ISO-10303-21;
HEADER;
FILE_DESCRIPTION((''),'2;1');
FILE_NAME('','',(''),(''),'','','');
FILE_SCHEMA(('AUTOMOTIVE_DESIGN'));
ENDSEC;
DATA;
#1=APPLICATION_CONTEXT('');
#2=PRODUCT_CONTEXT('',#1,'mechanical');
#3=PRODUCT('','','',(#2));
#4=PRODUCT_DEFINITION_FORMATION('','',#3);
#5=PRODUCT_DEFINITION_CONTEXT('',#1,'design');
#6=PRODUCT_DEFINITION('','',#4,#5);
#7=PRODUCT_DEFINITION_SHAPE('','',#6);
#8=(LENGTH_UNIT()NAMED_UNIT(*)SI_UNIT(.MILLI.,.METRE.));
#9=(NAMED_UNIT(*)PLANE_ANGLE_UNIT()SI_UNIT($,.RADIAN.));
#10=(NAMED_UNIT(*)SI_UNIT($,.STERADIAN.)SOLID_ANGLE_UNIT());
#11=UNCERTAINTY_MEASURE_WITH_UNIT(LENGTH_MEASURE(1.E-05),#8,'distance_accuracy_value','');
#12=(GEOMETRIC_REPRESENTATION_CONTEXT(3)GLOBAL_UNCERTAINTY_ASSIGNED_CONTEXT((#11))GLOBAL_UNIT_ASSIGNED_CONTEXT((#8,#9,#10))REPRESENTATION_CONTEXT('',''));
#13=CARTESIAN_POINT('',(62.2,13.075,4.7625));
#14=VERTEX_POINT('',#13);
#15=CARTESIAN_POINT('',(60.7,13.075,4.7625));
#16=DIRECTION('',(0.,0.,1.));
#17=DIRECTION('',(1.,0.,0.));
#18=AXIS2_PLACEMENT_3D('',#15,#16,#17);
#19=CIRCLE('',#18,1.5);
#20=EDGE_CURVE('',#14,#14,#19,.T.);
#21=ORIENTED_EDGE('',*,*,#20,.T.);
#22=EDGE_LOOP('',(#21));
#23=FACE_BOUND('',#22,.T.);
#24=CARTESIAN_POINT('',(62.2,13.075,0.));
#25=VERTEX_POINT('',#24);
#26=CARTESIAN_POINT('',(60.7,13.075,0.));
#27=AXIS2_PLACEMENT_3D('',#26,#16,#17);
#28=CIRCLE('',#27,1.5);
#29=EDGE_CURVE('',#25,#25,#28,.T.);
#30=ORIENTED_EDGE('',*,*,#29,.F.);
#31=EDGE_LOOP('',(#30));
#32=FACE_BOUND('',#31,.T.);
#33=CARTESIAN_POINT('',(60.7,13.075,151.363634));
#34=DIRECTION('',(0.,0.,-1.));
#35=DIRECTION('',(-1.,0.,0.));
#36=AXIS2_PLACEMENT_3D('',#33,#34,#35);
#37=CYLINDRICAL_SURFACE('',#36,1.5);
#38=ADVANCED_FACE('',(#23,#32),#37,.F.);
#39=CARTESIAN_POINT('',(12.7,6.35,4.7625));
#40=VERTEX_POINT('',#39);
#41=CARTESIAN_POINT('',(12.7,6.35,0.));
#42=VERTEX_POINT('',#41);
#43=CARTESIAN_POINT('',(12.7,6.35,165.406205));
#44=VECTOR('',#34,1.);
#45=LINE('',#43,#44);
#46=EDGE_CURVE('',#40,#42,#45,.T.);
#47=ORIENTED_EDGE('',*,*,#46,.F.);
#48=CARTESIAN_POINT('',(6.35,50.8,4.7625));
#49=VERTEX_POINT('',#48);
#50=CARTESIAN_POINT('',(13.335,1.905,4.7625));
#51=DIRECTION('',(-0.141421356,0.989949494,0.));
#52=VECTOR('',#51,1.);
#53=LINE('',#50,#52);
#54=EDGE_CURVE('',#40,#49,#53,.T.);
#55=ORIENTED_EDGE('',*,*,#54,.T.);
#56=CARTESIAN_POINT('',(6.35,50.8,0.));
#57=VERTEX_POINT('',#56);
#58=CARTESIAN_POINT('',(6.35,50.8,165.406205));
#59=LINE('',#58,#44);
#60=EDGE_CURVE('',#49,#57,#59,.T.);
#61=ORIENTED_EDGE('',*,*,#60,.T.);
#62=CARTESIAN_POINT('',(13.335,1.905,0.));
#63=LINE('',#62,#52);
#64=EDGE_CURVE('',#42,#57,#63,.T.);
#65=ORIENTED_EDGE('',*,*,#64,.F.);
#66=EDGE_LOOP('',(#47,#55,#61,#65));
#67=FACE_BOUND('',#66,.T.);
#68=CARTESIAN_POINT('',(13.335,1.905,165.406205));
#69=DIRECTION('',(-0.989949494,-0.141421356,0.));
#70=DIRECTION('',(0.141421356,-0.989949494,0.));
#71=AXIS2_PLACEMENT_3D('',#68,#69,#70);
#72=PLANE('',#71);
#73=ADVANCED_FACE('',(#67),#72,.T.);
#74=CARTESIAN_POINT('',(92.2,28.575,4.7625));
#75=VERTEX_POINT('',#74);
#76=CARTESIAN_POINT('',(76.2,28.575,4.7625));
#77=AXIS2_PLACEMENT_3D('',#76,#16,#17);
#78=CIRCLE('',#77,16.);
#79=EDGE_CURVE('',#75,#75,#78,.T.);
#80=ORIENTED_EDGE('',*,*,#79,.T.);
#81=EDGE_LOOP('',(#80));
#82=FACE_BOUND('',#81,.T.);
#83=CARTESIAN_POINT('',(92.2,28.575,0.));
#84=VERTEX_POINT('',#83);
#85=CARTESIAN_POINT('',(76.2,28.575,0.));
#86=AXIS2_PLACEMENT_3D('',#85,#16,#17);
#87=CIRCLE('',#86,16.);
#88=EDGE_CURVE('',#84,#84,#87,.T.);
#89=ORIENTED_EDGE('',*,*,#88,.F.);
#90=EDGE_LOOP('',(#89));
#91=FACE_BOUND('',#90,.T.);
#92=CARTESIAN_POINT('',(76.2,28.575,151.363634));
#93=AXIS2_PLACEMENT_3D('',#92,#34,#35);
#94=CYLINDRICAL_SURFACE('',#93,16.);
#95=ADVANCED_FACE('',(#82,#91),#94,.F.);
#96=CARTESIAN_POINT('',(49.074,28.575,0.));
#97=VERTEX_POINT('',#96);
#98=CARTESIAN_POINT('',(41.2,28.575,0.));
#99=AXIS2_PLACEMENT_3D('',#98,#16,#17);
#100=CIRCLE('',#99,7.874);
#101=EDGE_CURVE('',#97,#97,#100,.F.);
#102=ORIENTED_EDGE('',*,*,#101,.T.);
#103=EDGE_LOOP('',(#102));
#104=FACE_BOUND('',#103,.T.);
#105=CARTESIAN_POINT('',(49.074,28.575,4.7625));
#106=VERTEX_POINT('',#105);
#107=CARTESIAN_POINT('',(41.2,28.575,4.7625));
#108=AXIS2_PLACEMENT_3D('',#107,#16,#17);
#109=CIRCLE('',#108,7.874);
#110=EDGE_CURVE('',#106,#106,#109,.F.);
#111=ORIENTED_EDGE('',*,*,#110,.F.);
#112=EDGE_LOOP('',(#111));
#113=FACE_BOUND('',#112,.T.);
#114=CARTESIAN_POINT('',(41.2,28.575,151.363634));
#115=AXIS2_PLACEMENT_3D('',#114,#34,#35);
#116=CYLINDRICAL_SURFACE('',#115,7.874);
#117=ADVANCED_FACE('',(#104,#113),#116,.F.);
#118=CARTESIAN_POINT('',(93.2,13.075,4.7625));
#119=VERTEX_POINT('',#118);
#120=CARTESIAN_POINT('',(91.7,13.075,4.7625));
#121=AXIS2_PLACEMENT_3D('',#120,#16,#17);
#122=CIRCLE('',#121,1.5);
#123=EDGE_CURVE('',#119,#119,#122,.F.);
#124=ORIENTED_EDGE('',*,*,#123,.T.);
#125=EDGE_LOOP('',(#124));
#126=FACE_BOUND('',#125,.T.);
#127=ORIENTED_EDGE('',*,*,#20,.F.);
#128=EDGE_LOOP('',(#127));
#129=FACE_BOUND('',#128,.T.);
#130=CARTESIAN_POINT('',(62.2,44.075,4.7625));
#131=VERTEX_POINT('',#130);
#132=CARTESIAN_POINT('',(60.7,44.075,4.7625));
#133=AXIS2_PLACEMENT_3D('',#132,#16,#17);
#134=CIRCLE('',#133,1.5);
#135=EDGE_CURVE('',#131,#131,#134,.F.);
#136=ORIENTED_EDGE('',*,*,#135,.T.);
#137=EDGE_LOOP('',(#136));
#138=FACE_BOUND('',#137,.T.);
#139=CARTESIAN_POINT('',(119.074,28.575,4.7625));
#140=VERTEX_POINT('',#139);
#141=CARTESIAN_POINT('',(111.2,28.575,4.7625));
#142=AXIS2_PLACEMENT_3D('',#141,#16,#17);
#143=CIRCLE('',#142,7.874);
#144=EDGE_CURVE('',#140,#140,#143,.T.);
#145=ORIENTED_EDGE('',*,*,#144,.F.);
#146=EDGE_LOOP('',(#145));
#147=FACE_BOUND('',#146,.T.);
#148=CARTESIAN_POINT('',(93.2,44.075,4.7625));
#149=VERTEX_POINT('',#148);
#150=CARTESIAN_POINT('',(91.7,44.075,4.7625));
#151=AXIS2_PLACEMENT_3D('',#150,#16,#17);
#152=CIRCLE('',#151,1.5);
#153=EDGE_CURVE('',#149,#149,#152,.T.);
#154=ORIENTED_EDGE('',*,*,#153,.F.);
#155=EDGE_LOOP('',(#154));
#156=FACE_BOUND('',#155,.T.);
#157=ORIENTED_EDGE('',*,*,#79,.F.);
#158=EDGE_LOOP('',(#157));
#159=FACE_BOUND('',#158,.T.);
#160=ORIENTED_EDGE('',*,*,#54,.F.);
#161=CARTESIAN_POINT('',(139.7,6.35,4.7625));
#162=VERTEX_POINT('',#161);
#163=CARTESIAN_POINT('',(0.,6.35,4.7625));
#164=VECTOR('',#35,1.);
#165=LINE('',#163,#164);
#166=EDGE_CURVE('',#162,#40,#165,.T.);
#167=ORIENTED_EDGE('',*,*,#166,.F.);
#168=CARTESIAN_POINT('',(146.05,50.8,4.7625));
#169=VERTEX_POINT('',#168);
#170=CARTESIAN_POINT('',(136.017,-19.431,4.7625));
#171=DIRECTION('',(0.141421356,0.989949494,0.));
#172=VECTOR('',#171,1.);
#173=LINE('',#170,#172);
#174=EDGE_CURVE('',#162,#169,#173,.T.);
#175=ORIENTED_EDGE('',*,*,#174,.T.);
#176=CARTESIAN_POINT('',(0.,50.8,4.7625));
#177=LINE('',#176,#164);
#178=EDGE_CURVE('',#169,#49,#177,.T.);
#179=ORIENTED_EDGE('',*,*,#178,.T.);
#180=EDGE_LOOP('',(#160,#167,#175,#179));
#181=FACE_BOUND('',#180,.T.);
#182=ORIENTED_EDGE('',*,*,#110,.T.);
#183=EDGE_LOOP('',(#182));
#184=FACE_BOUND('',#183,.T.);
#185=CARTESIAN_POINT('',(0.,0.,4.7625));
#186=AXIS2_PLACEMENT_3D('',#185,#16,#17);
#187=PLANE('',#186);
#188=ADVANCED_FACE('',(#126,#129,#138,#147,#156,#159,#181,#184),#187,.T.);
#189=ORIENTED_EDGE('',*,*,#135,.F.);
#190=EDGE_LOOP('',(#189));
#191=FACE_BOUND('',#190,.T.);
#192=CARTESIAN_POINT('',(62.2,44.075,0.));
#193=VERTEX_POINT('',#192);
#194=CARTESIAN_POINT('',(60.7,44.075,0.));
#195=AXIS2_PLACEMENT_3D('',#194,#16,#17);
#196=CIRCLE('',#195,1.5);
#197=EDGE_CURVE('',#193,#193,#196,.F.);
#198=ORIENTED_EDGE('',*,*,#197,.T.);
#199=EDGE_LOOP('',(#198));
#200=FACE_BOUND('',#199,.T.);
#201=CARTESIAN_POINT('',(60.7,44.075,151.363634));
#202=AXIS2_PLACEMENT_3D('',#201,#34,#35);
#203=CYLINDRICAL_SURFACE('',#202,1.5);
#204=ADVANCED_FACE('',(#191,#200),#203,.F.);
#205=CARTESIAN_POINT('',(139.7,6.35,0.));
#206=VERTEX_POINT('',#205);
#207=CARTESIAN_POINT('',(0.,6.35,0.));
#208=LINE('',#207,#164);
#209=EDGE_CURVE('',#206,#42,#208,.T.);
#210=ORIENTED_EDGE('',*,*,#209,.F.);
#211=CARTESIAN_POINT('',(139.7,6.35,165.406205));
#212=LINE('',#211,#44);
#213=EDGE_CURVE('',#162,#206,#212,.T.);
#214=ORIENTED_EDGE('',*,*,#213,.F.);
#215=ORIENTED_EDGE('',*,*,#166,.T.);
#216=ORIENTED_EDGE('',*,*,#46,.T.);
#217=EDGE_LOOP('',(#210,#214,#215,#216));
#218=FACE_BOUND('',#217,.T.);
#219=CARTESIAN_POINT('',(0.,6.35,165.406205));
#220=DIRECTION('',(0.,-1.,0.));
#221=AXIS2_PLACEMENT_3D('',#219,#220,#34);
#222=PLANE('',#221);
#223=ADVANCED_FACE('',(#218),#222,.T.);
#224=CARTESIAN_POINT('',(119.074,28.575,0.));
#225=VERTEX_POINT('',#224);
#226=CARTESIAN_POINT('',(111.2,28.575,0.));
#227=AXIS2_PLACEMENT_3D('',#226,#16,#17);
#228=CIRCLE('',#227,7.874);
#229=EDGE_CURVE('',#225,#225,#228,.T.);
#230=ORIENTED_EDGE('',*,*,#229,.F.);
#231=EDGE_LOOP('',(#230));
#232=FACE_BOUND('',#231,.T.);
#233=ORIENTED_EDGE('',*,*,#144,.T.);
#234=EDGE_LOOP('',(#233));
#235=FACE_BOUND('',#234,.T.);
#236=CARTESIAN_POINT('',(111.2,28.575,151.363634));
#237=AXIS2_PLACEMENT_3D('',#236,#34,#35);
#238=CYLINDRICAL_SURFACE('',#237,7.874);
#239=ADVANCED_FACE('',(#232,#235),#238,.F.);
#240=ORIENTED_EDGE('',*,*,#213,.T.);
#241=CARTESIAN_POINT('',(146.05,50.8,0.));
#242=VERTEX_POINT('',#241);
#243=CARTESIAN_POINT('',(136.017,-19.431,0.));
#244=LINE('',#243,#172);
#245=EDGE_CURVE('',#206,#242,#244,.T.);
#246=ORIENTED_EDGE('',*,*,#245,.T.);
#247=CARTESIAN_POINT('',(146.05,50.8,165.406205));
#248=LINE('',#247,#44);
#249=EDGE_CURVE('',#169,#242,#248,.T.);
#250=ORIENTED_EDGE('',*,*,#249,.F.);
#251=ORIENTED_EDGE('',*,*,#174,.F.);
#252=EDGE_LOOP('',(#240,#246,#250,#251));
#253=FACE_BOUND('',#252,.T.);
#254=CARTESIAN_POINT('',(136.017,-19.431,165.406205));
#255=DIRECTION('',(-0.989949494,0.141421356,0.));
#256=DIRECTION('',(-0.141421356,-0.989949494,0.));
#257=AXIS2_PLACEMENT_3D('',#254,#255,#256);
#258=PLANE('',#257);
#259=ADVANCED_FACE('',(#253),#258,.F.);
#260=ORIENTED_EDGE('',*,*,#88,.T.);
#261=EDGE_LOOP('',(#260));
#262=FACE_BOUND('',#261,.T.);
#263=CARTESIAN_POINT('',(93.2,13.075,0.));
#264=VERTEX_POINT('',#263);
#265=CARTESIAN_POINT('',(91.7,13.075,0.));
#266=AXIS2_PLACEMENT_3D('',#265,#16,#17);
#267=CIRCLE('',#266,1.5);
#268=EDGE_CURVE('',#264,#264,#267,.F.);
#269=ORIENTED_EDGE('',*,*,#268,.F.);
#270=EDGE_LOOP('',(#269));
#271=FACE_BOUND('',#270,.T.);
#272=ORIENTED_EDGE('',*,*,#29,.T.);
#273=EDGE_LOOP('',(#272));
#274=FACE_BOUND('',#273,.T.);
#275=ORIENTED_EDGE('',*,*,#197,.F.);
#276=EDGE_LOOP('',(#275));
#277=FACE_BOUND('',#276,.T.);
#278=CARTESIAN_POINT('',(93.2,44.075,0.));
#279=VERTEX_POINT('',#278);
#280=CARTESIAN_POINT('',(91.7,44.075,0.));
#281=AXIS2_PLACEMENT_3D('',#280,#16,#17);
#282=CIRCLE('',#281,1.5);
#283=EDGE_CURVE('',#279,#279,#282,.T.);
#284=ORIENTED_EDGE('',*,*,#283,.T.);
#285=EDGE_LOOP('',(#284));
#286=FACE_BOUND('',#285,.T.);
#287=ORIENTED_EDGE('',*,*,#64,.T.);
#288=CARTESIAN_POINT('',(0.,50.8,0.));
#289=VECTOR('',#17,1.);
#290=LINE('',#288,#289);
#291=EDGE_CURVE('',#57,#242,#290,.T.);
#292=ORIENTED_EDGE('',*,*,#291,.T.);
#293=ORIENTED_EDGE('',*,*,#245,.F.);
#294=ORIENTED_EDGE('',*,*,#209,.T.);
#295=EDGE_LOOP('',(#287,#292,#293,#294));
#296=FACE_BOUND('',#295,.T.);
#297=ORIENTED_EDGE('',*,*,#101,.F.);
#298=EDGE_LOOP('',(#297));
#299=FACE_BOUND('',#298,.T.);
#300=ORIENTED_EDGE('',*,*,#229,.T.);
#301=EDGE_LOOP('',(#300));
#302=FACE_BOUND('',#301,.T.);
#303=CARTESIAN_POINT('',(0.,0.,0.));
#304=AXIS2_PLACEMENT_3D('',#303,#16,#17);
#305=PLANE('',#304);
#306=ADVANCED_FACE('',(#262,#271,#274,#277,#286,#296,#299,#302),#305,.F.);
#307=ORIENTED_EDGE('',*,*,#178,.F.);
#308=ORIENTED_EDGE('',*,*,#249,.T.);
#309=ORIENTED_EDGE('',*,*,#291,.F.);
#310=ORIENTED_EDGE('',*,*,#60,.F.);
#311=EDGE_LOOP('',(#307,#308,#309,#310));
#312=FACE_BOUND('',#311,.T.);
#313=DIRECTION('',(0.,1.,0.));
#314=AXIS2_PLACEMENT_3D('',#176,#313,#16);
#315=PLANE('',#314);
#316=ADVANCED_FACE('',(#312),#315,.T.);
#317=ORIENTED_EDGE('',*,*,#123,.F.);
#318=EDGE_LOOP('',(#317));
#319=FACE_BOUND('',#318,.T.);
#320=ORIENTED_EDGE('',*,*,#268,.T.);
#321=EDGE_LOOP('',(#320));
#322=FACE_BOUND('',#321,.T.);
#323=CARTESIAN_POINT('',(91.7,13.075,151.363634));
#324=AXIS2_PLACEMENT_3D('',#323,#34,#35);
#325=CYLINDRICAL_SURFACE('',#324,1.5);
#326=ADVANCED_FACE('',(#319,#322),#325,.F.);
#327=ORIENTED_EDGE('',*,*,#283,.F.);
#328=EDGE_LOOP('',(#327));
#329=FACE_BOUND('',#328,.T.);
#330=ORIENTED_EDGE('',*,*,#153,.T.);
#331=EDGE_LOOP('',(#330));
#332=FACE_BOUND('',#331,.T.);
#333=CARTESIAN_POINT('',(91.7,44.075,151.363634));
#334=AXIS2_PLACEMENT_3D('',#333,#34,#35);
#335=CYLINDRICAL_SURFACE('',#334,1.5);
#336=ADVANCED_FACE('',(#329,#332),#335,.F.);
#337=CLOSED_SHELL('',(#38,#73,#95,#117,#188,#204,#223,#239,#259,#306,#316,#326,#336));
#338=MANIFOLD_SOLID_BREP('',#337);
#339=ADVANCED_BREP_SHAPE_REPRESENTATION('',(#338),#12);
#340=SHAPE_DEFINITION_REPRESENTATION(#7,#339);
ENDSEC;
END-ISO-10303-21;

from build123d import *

# Parameters (mm, degrees)
BOSS_EXTRUDE1_DEPTH = 4.7625
SKETCH2_3_R         = 1.5
SKETCH2_3_R_2       = 7.874
SKETCH2_3_R_3       = 16
BOSS_EXTRUDE2_DEPTH = 4.7625
CUT_EXTRUDE1_DEPTH  = 4.7625


with BuildPart() as part:
    # Sketch2 → Boss-Extrude1 (new body)
    with BuildSketch(Plane.XY):
        Polygon((139.7, 6.35), (146.05, 50.8), (152.4, 50.8), (152.4, 0), (0, 0), (0, 50.8), (6.35, 50.8), (12.7, 6.35), align=None)
    extrude(amount=BOSS_EXTRUDE1_DEPTH)

    # Sketch2<3> → Boss-Extrude2 (add)
    # profile 1 of 2: a face of its own
    with BuildSketch(Plane.XY):
        Polygon((0, 50.8), (0, 0), (152.4, 0), (152.4, 50.8), (146.05, 50.8), (139.7, 6.35), (12.7, 6.35), (6.35, 50.8), align=None)
    # profile 2 of 2: a face of its own
    with BuildSketch(Plane.XY):
        Polygon((146.05, 50.8), (6.35, 50.8), (12.7, 6.35), (139.7, 6.35), align=None)
        with Locations((60.7, 13.075)):
            Circle(SKETCH2_3_R, mode=Mode.SUBTRACT)
        with Locations((91.7, 13.075)):
            Circle(SKETCH2_3_R, mode=Mode.SUBTRACT)
        with Locations((41.2, 28.575)):
            Circle(SKETCH2_3_R_2, mode=Mode.SUBTRACT)
        with Locations((60.7, 44.075)):
            Circle(SKETCH2_3_R, mode=Mode.SUBTRACT)
        with Locations((76.2, 28.575)):
            Circle(SKETCH2_3_R_3, mode=Mode.SUBTRACT)
        with Locations((111.2, 28.575)):
            Circle(SKETCH2_3_R_2, mode=Mode.SUBTRACT)
        with Locations((91.7, 44.075)):
            Circle(SKETCH2_3_R, mode=Mode.SUBTRACT)
    extrude(amount=BOSS_EXTRUDE2_DEPTH)

    # Sketch2<4> → Cut-Extrude1 (cut)
    with BuildSketch(Plane.XY):
        Polygon((139.7, 6.35), (146.05, 50.8), (152.4, 50.8), (152.4, 0), (0, 0), (0, 50.8), (6.35, 50.8), (12.7, 6.35), align=None)
    extrude(amount=CUT_EXTRUDE1_DEPTH, mode=Mode.SUBTRACT)


solid = part.part
